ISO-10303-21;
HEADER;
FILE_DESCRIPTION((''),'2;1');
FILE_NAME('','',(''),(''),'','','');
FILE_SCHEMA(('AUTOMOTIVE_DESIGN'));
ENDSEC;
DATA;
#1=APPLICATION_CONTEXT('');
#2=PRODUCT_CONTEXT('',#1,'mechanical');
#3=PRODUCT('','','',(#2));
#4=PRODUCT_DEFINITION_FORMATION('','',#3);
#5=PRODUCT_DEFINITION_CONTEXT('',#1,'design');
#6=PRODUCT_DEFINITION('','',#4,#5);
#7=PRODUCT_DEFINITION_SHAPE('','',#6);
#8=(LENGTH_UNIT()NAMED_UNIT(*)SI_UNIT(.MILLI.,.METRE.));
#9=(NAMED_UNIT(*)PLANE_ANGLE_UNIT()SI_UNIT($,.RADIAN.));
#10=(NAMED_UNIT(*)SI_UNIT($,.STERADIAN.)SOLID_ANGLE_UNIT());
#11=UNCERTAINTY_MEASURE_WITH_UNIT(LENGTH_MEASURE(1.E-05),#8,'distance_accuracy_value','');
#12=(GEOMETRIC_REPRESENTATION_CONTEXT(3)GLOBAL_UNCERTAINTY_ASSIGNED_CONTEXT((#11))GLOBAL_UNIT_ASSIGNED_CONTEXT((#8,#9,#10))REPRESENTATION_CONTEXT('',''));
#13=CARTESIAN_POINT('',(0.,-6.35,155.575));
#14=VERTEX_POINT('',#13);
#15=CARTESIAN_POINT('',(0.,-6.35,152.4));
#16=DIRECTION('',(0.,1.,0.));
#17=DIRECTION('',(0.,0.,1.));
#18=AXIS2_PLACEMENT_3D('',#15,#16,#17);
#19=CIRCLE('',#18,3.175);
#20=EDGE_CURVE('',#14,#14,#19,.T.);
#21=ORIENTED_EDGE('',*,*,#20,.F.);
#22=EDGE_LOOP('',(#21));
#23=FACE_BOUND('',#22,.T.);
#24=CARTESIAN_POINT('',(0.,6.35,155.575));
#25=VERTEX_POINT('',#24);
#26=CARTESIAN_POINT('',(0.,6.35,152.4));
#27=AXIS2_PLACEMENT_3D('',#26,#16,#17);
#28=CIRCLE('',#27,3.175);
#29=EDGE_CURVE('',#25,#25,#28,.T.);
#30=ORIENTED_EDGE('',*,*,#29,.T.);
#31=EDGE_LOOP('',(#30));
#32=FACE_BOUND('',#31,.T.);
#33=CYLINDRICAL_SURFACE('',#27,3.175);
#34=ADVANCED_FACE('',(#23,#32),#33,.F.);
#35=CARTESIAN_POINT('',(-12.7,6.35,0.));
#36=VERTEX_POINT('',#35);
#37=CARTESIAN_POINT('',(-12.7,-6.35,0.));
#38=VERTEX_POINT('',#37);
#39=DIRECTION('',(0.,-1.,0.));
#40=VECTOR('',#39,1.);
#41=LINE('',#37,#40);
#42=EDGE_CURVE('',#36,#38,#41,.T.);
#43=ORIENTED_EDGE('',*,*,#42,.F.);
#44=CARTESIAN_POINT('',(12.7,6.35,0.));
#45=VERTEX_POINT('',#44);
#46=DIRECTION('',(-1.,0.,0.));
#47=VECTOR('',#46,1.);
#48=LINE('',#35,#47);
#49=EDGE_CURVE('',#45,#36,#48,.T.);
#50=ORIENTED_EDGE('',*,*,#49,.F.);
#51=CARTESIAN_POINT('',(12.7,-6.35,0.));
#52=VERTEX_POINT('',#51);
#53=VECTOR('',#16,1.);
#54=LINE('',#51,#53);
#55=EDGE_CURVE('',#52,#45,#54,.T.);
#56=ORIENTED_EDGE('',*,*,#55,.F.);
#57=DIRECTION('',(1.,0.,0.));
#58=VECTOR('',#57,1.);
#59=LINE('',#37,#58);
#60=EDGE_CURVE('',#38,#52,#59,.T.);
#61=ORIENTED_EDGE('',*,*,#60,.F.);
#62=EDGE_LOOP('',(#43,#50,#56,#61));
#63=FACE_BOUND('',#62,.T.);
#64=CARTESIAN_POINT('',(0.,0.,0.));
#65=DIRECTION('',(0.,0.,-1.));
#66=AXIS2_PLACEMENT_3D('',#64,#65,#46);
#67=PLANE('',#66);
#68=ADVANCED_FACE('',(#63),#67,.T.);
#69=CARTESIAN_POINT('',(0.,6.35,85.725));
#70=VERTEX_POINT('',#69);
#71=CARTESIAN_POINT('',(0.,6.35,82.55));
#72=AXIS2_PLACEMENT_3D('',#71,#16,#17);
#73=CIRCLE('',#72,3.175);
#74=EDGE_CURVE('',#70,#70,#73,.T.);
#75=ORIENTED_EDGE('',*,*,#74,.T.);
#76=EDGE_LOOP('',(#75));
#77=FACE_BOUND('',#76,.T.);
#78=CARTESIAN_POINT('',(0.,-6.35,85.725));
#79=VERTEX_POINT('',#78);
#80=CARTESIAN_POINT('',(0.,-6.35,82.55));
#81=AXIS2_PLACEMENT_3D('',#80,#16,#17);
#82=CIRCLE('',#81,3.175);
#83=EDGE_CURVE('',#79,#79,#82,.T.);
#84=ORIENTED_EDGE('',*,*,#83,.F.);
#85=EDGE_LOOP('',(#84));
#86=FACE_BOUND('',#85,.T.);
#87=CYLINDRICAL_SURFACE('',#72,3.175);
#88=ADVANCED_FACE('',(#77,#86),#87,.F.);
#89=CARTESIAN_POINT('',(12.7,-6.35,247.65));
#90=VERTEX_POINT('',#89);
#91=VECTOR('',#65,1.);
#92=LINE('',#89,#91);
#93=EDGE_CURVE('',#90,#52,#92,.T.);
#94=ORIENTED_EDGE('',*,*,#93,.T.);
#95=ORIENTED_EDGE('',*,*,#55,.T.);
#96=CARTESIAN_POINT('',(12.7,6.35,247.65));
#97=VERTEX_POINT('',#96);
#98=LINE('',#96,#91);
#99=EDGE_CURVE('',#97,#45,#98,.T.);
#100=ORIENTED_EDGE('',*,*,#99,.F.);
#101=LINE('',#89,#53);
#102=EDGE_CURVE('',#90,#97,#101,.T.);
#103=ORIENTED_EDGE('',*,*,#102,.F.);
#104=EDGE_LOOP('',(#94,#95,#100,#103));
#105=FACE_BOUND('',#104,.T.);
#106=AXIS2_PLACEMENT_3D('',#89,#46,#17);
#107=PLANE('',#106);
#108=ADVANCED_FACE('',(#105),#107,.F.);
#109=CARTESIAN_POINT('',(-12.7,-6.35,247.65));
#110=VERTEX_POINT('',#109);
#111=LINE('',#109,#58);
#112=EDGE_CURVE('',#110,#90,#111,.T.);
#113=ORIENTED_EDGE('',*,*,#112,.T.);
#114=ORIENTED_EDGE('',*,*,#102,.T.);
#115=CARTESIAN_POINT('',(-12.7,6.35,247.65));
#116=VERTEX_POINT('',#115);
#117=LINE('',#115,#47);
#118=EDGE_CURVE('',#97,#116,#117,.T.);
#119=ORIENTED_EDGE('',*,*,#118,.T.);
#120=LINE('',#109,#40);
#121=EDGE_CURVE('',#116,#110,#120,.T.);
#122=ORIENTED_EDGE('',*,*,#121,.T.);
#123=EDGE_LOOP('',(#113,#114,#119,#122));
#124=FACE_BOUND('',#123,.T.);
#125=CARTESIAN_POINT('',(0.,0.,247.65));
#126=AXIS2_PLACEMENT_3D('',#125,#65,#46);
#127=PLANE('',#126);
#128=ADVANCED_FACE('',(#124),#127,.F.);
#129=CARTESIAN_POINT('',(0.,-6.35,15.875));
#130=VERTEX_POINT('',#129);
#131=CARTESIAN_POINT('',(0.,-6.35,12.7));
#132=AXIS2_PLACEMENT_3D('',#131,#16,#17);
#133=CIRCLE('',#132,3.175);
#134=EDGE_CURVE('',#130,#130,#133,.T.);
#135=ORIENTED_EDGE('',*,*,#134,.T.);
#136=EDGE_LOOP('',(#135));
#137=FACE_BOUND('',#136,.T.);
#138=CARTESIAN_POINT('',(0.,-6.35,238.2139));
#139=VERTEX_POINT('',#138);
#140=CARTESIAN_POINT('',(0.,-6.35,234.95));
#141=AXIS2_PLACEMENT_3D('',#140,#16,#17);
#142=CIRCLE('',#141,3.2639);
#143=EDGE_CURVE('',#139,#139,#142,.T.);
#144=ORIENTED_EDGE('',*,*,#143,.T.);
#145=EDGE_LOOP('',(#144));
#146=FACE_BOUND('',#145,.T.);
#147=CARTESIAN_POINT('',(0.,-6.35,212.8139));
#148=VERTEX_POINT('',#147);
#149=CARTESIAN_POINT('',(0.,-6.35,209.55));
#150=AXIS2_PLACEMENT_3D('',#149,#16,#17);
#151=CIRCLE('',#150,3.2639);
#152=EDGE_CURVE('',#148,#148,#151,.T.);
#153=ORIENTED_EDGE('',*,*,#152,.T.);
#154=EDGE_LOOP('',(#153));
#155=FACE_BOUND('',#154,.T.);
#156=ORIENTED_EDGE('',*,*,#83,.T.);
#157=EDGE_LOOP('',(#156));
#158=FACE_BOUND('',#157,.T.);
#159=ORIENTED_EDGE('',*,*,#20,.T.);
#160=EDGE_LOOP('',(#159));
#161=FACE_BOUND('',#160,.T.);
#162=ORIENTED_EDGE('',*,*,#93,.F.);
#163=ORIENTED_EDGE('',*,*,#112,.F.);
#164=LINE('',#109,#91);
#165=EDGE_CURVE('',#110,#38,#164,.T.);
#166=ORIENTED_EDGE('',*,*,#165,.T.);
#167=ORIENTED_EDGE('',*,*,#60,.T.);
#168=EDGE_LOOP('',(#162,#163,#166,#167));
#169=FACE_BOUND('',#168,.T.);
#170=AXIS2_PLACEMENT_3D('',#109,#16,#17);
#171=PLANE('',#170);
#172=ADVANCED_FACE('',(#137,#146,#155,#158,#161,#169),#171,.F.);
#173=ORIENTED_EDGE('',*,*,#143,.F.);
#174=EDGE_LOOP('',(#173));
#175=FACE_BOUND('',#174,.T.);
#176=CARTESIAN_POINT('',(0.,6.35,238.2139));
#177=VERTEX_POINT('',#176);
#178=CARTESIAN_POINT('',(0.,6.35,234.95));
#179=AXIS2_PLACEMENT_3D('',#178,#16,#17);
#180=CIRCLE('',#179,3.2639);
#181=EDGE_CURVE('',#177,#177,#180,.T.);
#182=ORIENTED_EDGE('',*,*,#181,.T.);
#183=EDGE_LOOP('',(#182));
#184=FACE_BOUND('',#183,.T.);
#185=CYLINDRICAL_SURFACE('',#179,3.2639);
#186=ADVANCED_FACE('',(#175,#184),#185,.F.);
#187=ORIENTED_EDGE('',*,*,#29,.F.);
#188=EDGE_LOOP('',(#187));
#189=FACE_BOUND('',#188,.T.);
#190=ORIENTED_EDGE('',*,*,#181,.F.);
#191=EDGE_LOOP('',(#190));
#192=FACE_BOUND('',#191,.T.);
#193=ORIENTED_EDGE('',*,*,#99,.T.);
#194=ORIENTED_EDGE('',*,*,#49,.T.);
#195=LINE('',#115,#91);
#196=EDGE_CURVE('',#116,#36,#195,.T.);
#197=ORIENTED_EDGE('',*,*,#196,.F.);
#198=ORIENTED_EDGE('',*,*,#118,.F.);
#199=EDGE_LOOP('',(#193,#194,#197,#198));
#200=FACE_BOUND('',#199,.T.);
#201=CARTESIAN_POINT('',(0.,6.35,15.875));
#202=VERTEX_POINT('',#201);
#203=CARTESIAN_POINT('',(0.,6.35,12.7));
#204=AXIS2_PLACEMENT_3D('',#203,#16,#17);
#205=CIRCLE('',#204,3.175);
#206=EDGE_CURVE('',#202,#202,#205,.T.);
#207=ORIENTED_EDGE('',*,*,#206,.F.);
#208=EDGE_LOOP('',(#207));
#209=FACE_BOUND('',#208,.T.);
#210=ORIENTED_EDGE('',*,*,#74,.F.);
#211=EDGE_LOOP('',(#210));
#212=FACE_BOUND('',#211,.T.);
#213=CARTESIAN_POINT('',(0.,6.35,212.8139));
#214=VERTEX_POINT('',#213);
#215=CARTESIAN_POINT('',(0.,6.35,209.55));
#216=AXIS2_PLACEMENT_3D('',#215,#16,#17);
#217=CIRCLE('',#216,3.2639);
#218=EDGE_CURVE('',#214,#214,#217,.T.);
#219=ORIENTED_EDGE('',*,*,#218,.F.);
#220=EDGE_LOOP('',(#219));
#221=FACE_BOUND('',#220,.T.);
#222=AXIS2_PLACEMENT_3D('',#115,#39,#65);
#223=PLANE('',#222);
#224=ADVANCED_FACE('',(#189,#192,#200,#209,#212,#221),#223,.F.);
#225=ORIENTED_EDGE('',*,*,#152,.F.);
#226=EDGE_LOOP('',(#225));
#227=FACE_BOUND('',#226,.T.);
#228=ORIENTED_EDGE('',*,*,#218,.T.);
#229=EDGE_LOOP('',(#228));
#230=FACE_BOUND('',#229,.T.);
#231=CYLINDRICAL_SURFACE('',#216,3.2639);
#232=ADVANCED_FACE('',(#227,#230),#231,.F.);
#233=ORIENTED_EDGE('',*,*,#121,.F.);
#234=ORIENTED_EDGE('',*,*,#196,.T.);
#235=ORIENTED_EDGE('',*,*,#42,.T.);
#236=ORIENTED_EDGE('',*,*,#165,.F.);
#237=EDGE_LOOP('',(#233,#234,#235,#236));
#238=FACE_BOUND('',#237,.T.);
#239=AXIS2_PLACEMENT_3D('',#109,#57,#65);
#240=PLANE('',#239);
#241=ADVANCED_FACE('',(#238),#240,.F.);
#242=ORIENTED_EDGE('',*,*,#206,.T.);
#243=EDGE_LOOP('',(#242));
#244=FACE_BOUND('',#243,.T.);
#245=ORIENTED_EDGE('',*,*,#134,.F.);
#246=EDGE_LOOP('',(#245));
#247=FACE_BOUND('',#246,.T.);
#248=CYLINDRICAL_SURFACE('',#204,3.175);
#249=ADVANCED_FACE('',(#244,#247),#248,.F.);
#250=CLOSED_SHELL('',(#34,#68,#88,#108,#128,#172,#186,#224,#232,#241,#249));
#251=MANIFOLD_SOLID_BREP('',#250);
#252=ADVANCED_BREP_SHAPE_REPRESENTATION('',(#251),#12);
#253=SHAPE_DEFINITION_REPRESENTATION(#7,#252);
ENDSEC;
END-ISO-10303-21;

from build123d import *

# Parameters (mm, degrees)
SKETCH1_W                   = 25.4
SKETCH1_H                   = 12.7
BOSS_EXTRUDE1_DEPTH         = 247.65
F_1_4_CLEARANCE_HOLE1_D     = 6.5278
F_1_4_0_25_DIAMETER_HOLE1_D = 6.35


with BuildPart() as part:
    # Sketch1 → Boss-Extrude1 (new body)
    with BuildSketch(Plane.XY):
        Rectangle(SKETCH1_W, SKETCH1_H)
    extrude(amount=BOSS_EXTRUDE1_DEPTH)

    # 1/4 Clearance Hole1 (through all)
    with Locations(Plane(origin=(0, 6.35, 0), x_dir=(1, 0, 0), z_dir=(0, 1, 0))):
        with Locations((0, -234.95), (0, -209.55)):
            Hole(F_1_4_CLEARANCE_HOLE1_D / 2)

    # 1/4 (0.25) Diameter Hole1 (through all)
    with Locations(Plane(origin=(0, 6.35, 0), x_dir=(1, 0, 0), z_dir=(0, 1, 0))):
        with Locations((0, -82.55), (0, -12.7), (0, -152.4)):
            Hole(F_1_4_0_25_DIAMETER_HOLE1_D / 2)


solid = part.part
